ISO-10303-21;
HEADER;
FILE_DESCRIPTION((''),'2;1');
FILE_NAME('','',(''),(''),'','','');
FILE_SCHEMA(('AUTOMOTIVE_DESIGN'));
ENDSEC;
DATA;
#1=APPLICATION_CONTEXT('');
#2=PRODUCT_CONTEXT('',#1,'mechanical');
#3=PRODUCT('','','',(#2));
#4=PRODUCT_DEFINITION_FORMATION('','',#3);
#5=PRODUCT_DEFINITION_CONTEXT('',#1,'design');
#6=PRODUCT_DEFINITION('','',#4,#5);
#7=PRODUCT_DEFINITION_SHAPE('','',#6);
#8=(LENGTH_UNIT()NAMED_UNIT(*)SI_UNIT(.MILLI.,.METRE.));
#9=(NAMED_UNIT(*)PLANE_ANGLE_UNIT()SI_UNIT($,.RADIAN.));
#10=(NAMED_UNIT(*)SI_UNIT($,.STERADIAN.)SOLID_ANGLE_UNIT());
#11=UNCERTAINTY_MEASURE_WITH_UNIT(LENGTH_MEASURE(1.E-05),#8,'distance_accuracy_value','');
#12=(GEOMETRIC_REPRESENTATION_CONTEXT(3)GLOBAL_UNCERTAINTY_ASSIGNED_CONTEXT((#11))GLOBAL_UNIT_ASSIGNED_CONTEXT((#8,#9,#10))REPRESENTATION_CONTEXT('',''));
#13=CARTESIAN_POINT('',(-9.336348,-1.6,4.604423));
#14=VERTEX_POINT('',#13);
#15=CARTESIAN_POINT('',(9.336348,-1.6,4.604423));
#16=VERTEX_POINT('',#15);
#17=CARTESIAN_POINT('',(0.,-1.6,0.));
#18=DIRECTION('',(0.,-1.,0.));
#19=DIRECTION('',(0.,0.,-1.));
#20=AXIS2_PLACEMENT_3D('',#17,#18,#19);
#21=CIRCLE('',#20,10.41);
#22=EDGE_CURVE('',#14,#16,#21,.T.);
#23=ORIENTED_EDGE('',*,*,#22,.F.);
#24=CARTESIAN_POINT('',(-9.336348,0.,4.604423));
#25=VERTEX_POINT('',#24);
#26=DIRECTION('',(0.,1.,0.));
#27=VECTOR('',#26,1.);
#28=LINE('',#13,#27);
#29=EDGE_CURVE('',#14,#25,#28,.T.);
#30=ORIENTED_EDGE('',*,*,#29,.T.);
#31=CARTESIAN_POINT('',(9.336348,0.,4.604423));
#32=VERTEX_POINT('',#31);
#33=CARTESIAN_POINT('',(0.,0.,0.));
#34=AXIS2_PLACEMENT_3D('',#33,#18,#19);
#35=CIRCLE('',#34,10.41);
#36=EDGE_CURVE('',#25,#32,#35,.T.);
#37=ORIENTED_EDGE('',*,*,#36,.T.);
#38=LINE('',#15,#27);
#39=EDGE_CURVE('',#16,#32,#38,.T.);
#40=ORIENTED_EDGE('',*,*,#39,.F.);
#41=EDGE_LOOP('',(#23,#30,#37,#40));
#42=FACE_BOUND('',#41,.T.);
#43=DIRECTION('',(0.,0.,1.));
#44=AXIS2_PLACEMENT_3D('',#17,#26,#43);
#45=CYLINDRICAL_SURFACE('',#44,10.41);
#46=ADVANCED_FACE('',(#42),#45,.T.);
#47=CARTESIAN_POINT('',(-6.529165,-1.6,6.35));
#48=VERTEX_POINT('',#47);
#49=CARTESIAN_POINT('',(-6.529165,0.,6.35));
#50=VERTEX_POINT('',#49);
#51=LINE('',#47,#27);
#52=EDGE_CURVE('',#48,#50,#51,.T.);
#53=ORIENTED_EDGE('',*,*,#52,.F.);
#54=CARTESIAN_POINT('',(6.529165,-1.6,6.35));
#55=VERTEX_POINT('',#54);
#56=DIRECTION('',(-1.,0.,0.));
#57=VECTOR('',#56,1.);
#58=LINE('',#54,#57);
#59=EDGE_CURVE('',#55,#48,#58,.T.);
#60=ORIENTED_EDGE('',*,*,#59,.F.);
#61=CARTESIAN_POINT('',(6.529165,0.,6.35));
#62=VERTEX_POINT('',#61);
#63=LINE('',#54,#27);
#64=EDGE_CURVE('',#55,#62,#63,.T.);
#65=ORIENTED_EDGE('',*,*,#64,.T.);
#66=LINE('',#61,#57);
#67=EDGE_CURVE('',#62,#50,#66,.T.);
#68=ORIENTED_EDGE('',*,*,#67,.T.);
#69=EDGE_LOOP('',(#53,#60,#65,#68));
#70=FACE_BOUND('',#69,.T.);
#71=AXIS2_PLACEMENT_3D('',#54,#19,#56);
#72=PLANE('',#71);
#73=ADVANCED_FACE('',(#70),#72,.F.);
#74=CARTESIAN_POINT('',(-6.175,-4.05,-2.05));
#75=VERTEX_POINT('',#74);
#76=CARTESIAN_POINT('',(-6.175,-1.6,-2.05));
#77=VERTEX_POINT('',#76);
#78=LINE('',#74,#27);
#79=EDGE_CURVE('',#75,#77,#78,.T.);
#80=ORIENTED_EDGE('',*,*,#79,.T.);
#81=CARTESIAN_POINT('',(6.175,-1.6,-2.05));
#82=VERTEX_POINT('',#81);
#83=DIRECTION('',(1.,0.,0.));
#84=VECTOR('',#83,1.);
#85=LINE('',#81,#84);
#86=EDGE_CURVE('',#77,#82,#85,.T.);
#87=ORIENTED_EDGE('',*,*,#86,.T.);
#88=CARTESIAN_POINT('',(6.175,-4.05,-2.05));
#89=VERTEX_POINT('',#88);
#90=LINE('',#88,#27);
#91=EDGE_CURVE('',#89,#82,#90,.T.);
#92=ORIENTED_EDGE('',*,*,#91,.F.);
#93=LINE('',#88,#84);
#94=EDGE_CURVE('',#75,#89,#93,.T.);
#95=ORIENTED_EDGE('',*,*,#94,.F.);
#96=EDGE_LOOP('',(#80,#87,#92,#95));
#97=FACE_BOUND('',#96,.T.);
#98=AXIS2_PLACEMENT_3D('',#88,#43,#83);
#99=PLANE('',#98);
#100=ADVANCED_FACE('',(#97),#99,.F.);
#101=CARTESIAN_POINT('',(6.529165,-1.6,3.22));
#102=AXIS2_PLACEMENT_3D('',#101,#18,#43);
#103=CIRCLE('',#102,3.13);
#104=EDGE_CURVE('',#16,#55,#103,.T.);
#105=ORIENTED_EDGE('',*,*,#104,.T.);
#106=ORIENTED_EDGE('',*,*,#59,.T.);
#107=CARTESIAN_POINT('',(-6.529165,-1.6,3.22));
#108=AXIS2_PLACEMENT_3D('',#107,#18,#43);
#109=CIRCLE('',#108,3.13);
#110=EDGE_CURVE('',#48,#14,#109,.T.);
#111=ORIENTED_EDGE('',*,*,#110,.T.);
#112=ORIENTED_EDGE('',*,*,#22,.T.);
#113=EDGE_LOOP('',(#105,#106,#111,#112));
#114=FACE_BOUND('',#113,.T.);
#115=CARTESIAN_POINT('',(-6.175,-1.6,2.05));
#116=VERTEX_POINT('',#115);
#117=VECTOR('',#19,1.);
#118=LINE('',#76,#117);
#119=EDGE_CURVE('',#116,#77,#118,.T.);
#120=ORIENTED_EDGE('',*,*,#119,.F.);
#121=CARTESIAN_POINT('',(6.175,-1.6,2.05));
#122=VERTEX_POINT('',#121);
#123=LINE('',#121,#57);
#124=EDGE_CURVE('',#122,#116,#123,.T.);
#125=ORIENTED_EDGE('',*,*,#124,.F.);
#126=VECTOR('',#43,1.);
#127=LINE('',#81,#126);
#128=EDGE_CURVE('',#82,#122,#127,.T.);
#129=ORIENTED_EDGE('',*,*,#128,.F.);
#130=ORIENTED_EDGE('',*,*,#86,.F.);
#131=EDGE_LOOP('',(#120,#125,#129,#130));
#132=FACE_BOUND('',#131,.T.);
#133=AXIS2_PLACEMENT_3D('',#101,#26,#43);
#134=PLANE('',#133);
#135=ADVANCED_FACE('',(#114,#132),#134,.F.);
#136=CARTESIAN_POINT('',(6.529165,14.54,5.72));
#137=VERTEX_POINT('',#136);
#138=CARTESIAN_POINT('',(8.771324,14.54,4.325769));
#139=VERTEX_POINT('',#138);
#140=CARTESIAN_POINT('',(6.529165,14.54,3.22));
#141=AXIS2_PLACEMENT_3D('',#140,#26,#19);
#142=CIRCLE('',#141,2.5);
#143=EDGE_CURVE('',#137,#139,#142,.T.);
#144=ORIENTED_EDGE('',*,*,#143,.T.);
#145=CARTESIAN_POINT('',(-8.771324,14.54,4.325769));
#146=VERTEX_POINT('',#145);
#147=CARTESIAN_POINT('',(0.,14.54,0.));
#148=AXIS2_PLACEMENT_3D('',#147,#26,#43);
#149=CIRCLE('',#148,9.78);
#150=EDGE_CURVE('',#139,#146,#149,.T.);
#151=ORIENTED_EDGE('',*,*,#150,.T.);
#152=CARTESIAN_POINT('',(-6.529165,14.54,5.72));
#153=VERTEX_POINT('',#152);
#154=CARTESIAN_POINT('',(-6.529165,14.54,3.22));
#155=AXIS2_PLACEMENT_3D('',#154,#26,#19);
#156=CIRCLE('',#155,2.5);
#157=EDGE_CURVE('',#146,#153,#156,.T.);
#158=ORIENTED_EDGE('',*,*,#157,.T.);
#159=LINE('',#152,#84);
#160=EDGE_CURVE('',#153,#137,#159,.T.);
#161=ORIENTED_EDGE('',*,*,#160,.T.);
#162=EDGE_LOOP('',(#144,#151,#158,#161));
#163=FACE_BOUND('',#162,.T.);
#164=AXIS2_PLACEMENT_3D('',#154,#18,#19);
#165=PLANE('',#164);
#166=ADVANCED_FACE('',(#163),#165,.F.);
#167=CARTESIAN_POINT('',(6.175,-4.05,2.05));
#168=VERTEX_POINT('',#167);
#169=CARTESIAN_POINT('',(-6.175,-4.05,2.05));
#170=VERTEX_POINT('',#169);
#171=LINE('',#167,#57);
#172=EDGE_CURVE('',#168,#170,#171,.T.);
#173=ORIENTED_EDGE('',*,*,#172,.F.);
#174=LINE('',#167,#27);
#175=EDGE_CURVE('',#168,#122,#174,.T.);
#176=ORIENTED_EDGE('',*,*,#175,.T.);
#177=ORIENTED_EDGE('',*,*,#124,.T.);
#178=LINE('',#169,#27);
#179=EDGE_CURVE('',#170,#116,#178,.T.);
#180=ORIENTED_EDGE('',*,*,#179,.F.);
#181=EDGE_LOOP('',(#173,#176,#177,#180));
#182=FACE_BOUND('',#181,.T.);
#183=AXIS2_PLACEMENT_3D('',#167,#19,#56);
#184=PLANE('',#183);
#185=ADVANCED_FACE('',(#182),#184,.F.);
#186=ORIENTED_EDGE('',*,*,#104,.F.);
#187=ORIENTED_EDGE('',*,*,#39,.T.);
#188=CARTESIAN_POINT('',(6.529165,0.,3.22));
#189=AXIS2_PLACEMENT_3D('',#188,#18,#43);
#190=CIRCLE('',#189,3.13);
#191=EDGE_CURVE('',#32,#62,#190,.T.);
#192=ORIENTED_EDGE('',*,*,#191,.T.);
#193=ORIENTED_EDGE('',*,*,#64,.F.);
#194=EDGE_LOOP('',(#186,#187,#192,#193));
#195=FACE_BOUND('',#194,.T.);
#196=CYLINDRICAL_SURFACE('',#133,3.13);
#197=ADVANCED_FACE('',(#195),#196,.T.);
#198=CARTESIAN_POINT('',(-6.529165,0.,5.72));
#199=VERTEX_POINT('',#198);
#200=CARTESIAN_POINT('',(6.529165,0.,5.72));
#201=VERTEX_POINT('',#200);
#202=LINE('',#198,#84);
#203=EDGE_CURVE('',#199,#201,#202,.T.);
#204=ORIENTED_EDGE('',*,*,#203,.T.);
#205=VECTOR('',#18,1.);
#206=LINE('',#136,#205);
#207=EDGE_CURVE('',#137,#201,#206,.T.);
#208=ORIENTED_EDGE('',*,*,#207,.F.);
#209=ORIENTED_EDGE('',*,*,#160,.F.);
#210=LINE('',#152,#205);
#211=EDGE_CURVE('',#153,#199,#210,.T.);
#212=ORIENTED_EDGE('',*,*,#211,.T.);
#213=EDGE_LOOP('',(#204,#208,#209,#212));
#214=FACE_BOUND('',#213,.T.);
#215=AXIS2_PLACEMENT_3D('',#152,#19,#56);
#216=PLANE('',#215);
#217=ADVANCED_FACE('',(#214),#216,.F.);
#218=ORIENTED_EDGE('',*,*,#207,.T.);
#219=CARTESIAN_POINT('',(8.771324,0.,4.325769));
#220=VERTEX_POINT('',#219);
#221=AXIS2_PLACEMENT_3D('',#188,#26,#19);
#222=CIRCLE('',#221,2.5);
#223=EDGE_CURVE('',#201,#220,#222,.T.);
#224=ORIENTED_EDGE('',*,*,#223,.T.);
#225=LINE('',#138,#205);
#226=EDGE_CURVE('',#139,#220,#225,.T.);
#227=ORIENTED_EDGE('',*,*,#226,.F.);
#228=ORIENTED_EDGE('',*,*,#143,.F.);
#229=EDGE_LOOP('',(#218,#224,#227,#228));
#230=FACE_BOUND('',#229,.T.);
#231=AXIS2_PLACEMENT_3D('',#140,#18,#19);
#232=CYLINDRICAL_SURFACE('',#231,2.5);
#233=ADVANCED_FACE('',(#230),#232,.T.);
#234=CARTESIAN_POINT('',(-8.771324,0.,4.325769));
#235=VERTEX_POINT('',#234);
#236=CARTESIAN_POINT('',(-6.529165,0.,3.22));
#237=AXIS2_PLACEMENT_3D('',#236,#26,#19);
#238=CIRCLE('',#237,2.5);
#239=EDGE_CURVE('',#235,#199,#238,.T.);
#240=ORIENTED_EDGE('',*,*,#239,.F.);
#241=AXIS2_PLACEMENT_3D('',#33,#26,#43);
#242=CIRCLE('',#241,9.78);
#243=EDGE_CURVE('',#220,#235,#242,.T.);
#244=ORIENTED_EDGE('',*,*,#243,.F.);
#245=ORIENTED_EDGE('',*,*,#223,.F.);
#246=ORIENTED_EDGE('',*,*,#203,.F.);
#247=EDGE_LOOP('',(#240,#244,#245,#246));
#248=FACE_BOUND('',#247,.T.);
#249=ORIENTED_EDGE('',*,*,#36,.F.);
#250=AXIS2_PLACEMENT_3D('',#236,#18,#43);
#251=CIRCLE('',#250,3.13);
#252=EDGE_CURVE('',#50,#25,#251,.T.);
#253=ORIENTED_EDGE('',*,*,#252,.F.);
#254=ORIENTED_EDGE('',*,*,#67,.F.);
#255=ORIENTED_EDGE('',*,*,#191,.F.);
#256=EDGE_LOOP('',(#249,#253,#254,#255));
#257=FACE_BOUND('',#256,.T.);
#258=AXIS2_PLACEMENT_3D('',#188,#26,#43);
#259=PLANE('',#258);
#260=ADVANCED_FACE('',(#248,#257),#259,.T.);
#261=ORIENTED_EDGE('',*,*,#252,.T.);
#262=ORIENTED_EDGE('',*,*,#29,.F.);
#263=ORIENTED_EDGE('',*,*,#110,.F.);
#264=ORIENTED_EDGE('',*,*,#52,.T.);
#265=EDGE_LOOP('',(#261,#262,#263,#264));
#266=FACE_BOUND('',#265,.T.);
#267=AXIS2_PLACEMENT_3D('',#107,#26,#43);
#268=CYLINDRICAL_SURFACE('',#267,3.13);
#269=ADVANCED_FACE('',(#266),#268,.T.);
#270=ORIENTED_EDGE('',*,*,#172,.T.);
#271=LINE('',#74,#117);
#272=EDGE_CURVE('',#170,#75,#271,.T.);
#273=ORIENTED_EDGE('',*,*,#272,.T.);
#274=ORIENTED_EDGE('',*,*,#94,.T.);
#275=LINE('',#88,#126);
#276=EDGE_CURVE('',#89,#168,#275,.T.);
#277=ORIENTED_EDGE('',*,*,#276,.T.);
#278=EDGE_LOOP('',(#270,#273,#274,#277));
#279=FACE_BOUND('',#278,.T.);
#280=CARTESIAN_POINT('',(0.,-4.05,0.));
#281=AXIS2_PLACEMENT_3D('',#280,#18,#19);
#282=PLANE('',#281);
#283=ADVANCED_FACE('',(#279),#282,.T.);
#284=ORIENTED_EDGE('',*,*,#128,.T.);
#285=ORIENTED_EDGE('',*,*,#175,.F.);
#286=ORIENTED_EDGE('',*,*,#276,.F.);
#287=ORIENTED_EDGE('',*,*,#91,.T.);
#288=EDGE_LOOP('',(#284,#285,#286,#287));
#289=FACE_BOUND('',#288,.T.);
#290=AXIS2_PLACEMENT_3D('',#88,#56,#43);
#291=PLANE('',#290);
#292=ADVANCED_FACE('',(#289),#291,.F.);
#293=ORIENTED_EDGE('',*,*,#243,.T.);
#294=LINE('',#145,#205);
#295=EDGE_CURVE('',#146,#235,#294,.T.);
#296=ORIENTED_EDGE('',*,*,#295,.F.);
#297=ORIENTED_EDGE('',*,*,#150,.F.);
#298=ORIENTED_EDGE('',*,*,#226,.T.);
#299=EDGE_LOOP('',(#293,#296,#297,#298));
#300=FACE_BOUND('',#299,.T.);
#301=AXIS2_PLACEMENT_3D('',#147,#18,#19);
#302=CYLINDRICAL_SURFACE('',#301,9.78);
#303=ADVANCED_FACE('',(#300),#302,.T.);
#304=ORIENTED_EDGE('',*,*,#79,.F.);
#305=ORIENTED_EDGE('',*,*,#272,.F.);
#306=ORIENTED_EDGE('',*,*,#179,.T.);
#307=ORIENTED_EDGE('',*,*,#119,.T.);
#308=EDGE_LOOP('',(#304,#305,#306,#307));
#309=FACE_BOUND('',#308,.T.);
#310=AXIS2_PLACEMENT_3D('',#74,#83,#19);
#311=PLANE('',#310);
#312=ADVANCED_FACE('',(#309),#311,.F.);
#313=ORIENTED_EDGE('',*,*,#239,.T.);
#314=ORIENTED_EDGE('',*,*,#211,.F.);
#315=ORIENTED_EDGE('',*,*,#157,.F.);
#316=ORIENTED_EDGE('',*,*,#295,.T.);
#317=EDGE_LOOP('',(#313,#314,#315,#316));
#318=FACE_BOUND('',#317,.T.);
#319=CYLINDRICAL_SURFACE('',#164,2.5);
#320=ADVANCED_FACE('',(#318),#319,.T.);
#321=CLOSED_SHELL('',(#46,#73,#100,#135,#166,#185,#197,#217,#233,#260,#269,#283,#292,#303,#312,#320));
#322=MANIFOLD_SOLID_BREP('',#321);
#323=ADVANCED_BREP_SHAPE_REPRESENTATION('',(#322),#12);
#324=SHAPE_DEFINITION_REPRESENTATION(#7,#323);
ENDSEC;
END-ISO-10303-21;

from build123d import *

# Parameters (mm, degrees)
BOSS_EXTRUDE1_DEPTH = 14.54
BOSS_EXTRUDE2_DEPTH = 1.6
SKETCH5_W           = 12.35
SKETCH5_H           = 4.1
BOSS_EXTRUDE3_DEPTH = 2.45


with BuildPart() as part:
    # Sketch1 → Boss-Extrude1 (new body)
    with BuildSketch(Plane(origin=(0, 0, 0), x_dir=(1, 0, 0), z_dir=(0, 1, 0))):
        with BuildLine():
            Line((-6.529165337, -5.72), (6.529165337, -5.72))
            ThreePointArc((6.529165337, -5.72), (7.849312473, -5.343019439), (8.771323763, -4.325769231))
            ThreePointArc((8.771323763, -4.325769231), (0, 9.78), (-8.771323763, -4.325769231))
            ThreePointArc((-8.771323763, -4.325769231), (-7.849312473, -5.343019439), (-6.529165337, -5.72))
        make_face()
    extrude(amount=BOSS_EXTRUDE1_DEPTH)

    # Sketch3 → Boss-Extrude2 (add)
    with BuildSketch(Plane.XZ):
        with BuildLine():
            Line((6.529165337, 6.35), (-6.529165337, 6.35))
            ThreePointArc((-6.529165337, 6.35), (-8.181989552, 5.878020338), (-9.336347687, 4.604423077))
            ThreePointArc((-9.336347687, 4.604423077), (0, -10.41), (9.336347687, 4.604423077))
            ThreePointArc((9.336347687, 4.604423077), (8.181989552, 5.878020338), (6.529165337, 6.35))
        make_face()
    extrude(amount=BOSS_EXTRUDE2_DEPTH)

    # Sketch5 → Boss-Extrude3 (add)
    with BuildSketch(Plane.XZ.offset(1.6)):
        Rectangle(SKETCH5_W, SKETCH5_H)
    extrude(amount=BOSS_EXTRUDE3_DEPTH)


solid = part.part
